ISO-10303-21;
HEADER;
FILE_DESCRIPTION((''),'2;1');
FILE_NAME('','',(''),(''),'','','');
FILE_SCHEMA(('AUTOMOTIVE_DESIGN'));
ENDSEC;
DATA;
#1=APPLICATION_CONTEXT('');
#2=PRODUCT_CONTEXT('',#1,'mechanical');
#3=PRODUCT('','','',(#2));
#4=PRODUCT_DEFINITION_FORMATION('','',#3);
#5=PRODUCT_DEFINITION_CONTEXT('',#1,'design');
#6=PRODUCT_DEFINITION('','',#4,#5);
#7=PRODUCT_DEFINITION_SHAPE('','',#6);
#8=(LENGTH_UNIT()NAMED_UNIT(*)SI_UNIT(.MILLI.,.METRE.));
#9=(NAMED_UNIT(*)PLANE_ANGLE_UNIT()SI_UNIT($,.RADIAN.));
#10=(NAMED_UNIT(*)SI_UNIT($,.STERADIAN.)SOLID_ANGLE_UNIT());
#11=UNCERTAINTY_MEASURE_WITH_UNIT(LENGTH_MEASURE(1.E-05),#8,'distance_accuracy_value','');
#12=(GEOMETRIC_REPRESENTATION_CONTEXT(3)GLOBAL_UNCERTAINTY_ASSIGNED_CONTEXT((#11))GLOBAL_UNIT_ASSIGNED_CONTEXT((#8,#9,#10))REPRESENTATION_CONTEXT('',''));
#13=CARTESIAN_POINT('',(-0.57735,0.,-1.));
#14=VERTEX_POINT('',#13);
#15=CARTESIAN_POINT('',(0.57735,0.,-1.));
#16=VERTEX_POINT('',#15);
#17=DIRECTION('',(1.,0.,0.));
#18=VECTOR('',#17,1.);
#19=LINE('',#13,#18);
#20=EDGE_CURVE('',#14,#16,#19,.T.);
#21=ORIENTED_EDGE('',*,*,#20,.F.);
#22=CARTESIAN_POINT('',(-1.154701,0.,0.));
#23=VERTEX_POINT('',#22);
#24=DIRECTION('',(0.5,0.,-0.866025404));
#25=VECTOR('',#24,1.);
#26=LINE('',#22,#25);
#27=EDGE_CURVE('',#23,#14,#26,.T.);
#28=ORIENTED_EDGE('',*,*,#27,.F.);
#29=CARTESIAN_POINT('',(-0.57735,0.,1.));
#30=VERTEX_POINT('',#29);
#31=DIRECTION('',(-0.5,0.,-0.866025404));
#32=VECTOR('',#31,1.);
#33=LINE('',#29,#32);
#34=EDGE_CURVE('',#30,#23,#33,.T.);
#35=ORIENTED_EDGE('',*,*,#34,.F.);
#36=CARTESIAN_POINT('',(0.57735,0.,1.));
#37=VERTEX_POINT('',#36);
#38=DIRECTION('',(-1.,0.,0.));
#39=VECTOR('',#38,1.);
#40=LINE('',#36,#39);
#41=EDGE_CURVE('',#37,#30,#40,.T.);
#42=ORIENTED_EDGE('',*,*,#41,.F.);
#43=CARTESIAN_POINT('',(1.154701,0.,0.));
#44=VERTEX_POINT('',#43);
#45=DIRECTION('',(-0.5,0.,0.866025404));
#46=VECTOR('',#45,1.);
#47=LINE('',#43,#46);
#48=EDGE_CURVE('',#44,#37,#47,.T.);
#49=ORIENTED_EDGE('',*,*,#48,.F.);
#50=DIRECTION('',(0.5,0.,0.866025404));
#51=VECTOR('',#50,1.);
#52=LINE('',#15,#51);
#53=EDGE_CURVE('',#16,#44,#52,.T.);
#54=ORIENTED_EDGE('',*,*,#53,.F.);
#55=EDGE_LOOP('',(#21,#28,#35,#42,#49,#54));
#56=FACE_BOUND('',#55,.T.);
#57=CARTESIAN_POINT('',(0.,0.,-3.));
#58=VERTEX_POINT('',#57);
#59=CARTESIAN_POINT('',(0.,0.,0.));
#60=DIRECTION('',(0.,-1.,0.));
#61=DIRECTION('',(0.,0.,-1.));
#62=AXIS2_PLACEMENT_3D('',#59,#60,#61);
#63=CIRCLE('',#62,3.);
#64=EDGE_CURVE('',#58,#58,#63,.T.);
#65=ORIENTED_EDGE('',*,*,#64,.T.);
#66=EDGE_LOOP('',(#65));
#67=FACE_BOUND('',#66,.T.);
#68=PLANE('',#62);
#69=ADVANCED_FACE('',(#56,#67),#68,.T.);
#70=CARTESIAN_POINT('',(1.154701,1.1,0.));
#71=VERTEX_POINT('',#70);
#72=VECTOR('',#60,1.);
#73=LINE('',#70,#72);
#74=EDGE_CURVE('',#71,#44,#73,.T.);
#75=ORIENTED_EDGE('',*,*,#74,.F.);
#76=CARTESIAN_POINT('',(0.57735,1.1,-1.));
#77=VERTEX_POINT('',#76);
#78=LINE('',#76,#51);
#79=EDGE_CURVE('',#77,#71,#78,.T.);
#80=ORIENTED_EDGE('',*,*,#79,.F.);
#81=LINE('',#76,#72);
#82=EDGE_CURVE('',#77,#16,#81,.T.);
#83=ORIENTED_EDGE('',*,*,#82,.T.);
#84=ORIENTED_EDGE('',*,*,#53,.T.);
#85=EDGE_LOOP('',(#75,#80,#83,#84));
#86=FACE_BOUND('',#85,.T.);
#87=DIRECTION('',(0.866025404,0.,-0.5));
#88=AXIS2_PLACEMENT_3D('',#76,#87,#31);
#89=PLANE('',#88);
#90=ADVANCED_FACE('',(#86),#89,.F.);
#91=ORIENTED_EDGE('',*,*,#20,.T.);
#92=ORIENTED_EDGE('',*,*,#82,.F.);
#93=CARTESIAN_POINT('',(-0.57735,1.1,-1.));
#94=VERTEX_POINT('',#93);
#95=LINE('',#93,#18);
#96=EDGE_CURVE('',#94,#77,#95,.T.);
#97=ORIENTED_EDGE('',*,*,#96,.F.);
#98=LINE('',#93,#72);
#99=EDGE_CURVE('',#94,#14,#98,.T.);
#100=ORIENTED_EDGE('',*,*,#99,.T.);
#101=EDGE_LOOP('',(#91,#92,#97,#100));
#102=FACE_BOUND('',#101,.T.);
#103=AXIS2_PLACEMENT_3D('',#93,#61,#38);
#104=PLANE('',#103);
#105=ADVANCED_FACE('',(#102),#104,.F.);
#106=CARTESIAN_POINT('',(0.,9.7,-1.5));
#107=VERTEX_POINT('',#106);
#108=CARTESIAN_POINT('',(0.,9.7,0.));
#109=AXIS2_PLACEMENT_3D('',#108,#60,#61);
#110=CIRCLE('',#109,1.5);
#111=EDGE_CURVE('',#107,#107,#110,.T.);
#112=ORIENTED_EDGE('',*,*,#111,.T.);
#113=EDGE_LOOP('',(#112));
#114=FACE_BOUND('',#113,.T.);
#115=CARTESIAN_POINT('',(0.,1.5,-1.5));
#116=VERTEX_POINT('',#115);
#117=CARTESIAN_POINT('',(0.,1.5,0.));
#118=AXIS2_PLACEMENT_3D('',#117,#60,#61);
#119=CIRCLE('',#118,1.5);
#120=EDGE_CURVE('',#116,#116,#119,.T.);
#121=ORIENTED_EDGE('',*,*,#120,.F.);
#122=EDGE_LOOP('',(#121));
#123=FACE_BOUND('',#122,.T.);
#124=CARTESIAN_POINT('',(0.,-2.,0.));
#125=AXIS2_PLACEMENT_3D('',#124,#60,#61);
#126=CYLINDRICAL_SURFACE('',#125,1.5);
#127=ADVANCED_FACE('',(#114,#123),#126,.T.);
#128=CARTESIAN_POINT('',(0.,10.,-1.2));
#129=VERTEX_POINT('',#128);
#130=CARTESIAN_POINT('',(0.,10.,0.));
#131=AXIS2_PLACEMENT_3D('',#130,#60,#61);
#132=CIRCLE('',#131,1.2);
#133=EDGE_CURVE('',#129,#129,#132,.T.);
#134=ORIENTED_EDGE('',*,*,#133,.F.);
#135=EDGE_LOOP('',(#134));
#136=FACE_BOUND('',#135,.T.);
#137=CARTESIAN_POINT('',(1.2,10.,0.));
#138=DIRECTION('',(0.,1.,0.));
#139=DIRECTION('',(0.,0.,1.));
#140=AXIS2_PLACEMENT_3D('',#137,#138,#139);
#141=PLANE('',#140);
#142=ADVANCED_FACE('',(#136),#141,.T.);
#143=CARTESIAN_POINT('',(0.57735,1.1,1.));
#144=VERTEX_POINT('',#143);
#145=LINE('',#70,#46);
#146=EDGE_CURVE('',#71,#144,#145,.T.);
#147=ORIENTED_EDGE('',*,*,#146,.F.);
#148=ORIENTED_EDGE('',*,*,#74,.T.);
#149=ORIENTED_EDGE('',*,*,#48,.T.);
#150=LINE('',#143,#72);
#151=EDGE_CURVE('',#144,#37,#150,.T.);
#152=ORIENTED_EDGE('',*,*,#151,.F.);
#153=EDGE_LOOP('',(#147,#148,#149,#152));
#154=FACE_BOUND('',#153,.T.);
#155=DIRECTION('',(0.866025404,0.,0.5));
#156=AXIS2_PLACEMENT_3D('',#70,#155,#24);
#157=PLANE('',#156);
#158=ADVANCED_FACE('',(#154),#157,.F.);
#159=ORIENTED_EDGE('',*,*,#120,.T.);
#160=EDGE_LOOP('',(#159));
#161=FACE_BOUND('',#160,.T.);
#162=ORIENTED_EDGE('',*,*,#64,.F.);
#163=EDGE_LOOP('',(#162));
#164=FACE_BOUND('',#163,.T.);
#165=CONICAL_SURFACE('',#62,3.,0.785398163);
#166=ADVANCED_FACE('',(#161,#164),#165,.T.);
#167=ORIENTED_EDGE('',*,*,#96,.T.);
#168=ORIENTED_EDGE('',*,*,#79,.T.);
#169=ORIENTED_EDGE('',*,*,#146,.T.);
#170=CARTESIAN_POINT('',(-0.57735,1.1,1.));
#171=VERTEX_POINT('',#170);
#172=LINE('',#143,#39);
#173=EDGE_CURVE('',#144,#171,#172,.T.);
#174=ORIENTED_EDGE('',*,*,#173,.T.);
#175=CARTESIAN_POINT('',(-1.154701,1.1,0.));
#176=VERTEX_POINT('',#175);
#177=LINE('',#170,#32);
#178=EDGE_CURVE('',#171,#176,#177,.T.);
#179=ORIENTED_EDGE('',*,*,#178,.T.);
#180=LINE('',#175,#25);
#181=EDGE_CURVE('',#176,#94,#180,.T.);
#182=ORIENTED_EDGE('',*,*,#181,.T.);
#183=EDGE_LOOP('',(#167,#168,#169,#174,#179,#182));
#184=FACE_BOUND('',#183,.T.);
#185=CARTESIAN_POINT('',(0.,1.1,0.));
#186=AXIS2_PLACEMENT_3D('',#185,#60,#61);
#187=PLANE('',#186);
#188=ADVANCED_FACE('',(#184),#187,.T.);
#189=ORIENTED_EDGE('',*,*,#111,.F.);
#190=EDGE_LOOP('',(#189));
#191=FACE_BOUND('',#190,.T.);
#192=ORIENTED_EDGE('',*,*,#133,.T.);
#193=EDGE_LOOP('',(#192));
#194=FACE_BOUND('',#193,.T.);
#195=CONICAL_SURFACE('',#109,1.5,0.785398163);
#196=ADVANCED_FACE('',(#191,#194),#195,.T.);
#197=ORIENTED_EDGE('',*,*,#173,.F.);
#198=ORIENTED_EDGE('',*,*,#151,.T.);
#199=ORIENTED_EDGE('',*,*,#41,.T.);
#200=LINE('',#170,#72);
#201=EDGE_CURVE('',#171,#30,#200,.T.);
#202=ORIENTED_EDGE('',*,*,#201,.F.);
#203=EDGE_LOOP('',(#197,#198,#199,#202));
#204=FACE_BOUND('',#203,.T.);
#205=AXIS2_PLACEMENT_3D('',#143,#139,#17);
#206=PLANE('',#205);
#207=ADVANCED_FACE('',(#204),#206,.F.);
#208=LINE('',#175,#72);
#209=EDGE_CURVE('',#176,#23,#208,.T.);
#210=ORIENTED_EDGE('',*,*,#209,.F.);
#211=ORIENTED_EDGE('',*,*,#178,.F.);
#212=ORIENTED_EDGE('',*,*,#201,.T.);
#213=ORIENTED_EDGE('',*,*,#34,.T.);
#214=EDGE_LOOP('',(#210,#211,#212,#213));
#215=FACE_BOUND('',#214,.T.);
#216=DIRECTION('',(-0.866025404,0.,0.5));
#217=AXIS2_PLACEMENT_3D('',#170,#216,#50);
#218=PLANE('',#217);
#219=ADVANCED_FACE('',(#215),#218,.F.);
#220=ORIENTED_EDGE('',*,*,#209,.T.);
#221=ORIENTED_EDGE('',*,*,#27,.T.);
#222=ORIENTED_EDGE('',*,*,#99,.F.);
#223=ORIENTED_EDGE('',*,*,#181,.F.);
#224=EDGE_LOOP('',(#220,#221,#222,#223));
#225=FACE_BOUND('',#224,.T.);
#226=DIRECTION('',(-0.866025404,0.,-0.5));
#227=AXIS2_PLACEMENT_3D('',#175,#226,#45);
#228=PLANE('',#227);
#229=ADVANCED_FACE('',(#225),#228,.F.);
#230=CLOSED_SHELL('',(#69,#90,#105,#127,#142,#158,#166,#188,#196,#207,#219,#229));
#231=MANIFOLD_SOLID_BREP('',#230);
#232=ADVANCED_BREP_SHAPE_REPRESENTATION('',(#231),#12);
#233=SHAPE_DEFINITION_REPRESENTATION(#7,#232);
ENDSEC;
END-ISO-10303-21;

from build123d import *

# Parameters (mm, degrees)
CUT_EXTRUDE_316_DEPTH = 1.1


with BuildPart() as part:
    # Sketch 184 → Revolve 217 (revolve)
    with BuildSketch(Plane.XY, mode=Mode.PRIVATE) as revolve_217_sk:
        Polygon((0, 0), (3, 0), (1.5, 1.5), (1.5, 9.7), (1.2, 10), (0, 10), align=None)
    revolve(revolve_217_sk.sketch.rotate(Axis((0, -2, 0), (0, 1, 0)), 90), axis=Axis((0, -2, 0), (0, 1, 0)))

    # Sketch 268 → Cut-Extrude 316 (cut)
    with BuildSketch(Plane.XZ):
        Polygon((1.154700538, 0), (0.577350269, 1), (-0.577350269, 1), (-1.154700538, 0), (-0.577350269, -1), (0.577350269, -1), align=None)
    extrude(amount=-CUT_EXTRUDE_316_DEPTH, mode=Mode.SUBTRACT)


solid = part.part
